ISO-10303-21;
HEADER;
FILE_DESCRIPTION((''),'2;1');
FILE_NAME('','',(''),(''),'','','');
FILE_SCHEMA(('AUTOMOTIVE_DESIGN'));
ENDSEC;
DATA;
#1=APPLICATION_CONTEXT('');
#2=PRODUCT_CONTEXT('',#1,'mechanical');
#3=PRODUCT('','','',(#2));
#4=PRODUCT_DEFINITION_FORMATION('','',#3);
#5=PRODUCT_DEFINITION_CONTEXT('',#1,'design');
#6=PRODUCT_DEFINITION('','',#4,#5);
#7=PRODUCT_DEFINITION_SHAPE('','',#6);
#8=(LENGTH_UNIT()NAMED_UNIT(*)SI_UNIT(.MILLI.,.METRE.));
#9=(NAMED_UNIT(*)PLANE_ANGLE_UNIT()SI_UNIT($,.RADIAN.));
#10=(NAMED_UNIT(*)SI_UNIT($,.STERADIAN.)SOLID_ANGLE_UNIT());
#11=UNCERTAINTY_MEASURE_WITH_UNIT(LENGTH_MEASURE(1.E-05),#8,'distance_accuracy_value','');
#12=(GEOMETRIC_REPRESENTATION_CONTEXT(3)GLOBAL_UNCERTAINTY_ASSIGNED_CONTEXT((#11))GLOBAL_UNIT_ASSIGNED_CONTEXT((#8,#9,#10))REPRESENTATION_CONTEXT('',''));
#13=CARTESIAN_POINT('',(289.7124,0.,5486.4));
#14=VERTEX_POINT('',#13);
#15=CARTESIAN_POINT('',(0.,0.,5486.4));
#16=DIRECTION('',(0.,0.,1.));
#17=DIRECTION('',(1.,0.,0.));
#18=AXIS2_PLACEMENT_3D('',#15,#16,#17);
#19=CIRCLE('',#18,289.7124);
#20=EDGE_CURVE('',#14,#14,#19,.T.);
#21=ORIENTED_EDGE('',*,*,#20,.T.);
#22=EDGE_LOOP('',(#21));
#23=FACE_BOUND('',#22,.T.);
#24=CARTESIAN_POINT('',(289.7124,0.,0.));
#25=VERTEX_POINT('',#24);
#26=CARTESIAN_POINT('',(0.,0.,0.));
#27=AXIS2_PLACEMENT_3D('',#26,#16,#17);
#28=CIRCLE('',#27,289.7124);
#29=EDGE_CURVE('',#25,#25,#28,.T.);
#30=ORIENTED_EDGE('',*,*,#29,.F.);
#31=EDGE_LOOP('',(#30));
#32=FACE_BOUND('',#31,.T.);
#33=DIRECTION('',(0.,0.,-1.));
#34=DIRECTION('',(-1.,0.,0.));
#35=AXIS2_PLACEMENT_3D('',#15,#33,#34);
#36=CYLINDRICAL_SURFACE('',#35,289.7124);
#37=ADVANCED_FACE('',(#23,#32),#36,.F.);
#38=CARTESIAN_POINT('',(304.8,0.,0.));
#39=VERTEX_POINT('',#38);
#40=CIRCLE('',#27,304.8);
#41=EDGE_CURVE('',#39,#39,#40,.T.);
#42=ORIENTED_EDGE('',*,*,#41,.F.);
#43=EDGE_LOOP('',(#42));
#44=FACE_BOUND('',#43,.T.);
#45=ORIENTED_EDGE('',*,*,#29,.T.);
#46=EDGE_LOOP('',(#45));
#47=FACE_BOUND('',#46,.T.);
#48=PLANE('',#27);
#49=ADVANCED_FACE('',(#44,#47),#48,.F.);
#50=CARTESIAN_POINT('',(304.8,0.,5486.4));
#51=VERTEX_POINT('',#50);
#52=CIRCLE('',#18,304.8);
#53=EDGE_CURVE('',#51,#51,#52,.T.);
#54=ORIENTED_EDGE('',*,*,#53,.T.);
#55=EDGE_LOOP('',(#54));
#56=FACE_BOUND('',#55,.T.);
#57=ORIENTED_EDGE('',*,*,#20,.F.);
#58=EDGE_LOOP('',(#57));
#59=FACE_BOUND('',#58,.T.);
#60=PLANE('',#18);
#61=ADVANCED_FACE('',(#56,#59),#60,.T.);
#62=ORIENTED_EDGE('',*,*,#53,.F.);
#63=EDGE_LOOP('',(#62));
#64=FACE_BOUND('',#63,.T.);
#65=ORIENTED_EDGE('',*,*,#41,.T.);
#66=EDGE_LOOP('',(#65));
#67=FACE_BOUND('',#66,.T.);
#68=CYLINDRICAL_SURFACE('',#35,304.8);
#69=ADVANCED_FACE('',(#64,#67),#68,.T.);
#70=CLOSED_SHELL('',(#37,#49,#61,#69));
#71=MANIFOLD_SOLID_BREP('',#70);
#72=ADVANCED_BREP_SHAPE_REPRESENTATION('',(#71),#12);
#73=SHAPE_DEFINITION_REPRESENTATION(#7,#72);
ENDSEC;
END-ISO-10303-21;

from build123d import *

# Parameters (mm, degrees)
PIPESKETCH_R    = 304.8
PIPESKETCH_R_2  = 289.7124
EXTRUSION_DEPTH = 5486.4


with BuildPart() as part:
    # PipeSketch → Extrusion (new body)
    with BuildSketch(Plane.XY):
        Circle(PIPESKETCH_R)
        Circle(PIPESKETCH_R_2, mode=Mode.SUBTRACT)
    extrude(amount=EXTRUSION_DEPTH)


solid = part.part
